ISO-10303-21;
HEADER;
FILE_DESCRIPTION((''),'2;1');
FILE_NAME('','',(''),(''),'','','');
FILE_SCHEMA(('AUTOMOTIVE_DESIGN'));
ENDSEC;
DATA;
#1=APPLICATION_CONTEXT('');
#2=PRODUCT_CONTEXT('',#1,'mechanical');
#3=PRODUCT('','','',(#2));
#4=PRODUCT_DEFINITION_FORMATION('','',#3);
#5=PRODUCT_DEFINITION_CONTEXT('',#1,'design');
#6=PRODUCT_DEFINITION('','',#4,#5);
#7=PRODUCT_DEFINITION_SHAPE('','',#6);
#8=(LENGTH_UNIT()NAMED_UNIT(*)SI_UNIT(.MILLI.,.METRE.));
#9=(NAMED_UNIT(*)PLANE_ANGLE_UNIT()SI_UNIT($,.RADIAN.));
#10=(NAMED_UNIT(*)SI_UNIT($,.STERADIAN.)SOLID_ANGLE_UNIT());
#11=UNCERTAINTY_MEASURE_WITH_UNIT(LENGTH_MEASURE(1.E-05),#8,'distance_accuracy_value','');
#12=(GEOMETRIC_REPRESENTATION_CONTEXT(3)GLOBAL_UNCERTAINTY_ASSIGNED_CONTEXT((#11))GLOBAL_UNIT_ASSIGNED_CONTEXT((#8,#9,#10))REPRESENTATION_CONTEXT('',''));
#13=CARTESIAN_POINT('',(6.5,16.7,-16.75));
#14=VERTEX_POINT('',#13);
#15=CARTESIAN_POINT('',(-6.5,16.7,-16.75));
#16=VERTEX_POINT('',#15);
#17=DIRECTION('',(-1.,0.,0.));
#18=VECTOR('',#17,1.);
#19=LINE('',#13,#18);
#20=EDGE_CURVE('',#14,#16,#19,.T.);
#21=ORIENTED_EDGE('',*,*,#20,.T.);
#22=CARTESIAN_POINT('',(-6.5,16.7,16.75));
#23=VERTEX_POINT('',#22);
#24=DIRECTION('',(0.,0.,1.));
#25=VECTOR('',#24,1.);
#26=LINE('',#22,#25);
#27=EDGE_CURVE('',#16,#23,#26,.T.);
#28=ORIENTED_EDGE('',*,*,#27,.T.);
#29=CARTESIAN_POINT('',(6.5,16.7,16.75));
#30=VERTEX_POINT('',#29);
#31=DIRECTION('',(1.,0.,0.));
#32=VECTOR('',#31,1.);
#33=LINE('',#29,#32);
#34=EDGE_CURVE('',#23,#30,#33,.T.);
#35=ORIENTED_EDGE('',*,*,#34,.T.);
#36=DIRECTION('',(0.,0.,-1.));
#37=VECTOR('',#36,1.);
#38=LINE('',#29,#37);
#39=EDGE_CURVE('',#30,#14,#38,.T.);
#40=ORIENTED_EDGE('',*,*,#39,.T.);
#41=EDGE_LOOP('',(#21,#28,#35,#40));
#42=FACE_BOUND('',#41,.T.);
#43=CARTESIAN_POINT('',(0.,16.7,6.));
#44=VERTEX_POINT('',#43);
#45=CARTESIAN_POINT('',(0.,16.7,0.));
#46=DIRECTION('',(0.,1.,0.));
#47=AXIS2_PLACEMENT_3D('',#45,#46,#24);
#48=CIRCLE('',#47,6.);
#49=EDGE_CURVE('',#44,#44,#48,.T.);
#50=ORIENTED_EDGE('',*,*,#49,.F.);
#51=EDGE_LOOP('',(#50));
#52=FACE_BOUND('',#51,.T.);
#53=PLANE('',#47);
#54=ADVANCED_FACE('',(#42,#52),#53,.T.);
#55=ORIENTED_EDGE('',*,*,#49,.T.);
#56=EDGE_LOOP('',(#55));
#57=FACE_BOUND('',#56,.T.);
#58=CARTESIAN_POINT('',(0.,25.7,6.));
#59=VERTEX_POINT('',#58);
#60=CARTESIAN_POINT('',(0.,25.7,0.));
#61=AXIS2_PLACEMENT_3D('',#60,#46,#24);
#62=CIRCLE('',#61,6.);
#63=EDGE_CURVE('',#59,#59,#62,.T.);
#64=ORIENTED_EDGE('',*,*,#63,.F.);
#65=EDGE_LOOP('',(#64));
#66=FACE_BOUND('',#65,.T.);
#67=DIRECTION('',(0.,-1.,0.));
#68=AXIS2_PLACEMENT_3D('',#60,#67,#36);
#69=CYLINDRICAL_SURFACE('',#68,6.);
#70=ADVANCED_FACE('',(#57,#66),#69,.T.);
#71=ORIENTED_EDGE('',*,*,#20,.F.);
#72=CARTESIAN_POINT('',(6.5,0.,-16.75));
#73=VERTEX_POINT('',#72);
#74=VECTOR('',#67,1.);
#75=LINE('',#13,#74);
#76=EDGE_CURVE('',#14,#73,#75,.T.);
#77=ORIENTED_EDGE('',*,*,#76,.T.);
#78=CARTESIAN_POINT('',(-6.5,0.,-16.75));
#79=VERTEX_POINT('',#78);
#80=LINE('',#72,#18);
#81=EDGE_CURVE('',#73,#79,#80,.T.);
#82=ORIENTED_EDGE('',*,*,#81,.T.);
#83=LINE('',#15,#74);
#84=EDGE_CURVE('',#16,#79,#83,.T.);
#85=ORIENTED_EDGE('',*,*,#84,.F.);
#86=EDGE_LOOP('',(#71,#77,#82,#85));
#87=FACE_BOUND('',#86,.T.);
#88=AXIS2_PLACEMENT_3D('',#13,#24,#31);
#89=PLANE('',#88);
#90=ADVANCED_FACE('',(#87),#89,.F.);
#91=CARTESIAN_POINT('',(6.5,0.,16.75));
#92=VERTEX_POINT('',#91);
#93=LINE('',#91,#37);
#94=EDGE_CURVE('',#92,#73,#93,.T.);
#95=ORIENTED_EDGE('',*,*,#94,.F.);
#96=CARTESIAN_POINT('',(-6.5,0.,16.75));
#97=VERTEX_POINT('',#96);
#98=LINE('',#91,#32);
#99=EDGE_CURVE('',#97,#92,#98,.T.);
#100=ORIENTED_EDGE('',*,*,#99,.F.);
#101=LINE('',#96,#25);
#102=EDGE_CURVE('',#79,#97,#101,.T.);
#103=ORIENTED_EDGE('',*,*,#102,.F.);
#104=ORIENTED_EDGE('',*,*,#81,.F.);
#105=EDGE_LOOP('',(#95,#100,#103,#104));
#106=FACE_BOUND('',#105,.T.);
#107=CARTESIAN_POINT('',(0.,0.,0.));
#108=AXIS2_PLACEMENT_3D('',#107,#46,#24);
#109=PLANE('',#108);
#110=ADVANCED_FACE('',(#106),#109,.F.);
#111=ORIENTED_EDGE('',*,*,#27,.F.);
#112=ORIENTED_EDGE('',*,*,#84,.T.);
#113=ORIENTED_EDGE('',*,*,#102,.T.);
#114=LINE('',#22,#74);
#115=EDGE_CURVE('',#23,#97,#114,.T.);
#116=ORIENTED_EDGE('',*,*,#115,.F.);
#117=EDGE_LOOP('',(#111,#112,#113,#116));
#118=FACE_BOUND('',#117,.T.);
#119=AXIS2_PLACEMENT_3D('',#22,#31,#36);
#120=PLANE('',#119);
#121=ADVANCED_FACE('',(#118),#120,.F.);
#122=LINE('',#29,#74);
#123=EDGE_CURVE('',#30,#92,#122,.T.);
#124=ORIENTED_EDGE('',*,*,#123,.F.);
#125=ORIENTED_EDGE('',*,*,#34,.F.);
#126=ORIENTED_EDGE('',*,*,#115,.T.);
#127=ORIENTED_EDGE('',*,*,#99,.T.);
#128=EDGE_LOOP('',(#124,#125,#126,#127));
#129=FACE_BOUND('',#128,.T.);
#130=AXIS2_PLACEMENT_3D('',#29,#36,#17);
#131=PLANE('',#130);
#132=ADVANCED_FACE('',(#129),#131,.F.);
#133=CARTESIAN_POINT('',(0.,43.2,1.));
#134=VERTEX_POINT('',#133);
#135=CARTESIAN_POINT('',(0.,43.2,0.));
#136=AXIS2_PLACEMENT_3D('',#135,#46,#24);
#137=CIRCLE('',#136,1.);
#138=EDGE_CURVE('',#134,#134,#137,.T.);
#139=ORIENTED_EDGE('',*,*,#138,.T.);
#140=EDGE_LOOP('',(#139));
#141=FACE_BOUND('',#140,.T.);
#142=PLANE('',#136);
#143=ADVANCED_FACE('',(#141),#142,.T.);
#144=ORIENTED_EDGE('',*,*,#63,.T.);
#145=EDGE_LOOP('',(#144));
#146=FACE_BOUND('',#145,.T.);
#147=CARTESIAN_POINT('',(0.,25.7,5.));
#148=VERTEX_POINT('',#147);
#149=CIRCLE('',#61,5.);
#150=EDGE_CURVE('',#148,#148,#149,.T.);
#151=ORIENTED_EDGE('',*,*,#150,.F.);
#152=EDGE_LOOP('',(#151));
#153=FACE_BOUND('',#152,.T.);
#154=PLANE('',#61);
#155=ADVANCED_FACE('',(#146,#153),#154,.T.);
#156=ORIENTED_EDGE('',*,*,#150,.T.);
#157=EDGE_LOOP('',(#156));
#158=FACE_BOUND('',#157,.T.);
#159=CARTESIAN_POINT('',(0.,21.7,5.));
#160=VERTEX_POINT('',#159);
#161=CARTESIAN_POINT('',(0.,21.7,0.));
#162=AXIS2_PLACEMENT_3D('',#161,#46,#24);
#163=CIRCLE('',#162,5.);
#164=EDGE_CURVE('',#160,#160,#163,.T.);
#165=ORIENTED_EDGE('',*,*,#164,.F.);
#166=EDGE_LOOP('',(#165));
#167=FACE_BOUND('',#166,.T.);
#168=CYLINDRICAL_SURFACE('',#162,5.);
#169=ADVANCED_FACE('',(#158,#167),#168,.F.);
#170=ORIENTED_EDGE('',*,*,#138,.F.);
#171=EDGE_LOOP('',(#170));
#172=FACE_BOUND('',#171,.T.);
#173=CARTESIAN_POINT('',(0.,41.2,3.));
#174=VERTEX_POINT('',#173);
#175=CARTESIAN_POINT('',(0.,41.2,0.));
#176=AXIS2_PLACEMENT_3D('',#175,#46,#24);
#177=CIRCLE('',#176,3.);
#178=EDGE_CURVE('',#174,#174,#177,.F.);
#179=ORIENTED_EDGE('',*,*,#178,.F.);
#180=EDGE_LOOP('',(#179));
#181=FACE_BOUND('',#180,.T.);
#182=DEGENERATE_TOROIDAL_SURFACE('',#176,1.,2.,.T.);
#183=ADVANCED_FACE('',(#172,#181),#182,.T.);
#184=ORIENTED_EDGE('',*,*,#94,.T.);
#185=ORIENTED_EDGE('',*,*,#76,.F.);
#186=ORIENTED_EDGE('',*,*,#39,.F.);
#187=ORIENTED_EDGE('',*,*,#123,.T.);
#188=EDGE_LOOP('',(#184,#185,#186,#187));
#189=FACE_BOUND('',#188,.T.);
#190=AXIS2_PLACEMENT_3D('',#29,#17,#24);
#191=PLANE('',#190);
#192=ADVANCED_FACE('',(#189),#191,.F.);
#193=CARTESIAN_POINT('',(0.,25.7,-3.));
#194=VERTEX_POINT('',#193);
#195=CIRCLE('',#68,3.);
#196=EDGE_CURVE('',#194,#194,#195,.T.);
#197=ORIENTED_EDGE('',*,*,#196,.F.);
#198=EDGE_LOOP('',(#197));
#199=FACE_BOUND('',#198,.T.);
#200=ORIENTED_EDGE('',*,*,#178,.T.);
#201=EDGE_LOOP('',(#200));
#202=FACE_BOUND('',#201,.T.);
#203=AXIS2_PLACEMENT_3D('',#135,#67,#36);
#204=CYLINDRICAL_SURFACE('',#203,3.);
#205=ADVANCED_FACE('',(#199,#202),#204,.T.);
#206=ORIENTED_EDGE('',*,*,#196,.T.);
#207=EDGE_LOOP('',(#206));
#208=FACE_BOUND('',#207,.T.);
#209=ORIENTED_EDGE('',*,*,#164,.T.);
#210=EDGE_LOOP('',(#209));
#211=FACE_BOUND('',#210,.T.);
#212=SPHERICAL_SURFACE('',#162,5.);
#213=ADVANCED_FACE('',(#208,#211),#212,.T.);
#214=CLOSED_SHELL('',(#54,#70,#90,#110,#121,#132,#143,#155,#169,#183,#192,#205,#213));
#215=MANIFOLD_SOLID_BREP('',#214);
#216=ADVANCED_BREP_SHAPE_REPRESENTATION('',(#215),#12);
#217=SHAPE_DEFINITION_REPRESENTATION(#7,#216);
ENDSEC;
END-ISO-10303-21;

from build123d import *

# Parameters (mm, degrees)
SKETCH1_W           = 13
SKETCH1_H           = 33.5
BOSS_EXTRUDE1_DEPTH = 16.7
SKETCH2_R           = 6
BOSS_EXTRUDE2_DEPTH = 9
SKETCH4_R           = 5
CUT_EXTRUDE1_DEPTH  = 4
SKETCH5_R           = 3
BOSS_EXTRUDE3_DEPTH = 21.5
REVOLVE2_ANGLE      = 180
FILLET1_R           = 2


with BuildPart() as part:
    # Sketch1 → Boss-Extrude1 (new body)
    with BuildSketch(Plane(origin=(0, 0, 0), x_dir=(1, 0, 0), z_dir=(0, 1, 0))):
        Rectangle(SKETCH1_W, SKETCH1_H)
    extrude(amount=BOSS_EXTRUDE1_DEPTH)

    # Sketch2 → Boss-Extrude2 (add)
    with BuildSketch(Plane(origin=(0, 16.7, 0), x_dir=(1, 0, 0), z_dir=(0, 1, 0))):
        with Locations(Location((0, 0, 0), (0, 0, 270))):  # turned: the seam where the file's is
            Circle(SKETCH2_R)
    extrude(amount=BOSS_EXTRUDE2_DEPTH)

    # Sketch4 → Cut-Extrude1 (cut)
    with BuildSketch(Plane(origin=(0, 25.7, 0), x_dir=(1, 0, 0), z_dir=(0, 1, 0))):
        with Locations(Location((0, 0, 0), (0, 0, 270))):  # turned: the seam where the file's is
            Circle(SKETCH4_R)
    extrude(amount=-CUT_EXTRUDE1_DEPTH, mode=Mode.SUBTRACT)

    # Sketch5 → Boss-Extrude3 (add)
    with BuildSketch(Plane(origin=(0, 21.7, 0), x_dir=(1, 0, 0), z_dir=(0, 1, 0))):
        with Locations(Location((0, 0, 0), (0, 0, 270))):  # turned: the seam where the file's is
            Circle(SKETCH5_R)
    extrude(amount=BOSS_EXTRUDE3_DEPTH)

    # Sketch3 → Revolve2 (revolve)
    with BuildSketch(Plane(origin=(0, 21.7, 0), x_dir=(1, 0, 0), z_dir=(0, 1, 0))):
        with BuildLine():
            Line((0, -5), (0, 5))
            ThreePointArc((0, 5), (-5, 0), (0, -5))
        make_face()
    revolve(axis=Axis((0, 21.7, 6), (0, 0, -1)), revolution_arc=REVOLVE2_ANGLE)

    # Fillet1
    fillet1_edges = [part.edges().sort_by_distance(p)[0] for p in [
        (0, 43.2, -3),
    ]]
    fillet(fillet1_edges, radius=FILLET1_R)


solid = part.part
